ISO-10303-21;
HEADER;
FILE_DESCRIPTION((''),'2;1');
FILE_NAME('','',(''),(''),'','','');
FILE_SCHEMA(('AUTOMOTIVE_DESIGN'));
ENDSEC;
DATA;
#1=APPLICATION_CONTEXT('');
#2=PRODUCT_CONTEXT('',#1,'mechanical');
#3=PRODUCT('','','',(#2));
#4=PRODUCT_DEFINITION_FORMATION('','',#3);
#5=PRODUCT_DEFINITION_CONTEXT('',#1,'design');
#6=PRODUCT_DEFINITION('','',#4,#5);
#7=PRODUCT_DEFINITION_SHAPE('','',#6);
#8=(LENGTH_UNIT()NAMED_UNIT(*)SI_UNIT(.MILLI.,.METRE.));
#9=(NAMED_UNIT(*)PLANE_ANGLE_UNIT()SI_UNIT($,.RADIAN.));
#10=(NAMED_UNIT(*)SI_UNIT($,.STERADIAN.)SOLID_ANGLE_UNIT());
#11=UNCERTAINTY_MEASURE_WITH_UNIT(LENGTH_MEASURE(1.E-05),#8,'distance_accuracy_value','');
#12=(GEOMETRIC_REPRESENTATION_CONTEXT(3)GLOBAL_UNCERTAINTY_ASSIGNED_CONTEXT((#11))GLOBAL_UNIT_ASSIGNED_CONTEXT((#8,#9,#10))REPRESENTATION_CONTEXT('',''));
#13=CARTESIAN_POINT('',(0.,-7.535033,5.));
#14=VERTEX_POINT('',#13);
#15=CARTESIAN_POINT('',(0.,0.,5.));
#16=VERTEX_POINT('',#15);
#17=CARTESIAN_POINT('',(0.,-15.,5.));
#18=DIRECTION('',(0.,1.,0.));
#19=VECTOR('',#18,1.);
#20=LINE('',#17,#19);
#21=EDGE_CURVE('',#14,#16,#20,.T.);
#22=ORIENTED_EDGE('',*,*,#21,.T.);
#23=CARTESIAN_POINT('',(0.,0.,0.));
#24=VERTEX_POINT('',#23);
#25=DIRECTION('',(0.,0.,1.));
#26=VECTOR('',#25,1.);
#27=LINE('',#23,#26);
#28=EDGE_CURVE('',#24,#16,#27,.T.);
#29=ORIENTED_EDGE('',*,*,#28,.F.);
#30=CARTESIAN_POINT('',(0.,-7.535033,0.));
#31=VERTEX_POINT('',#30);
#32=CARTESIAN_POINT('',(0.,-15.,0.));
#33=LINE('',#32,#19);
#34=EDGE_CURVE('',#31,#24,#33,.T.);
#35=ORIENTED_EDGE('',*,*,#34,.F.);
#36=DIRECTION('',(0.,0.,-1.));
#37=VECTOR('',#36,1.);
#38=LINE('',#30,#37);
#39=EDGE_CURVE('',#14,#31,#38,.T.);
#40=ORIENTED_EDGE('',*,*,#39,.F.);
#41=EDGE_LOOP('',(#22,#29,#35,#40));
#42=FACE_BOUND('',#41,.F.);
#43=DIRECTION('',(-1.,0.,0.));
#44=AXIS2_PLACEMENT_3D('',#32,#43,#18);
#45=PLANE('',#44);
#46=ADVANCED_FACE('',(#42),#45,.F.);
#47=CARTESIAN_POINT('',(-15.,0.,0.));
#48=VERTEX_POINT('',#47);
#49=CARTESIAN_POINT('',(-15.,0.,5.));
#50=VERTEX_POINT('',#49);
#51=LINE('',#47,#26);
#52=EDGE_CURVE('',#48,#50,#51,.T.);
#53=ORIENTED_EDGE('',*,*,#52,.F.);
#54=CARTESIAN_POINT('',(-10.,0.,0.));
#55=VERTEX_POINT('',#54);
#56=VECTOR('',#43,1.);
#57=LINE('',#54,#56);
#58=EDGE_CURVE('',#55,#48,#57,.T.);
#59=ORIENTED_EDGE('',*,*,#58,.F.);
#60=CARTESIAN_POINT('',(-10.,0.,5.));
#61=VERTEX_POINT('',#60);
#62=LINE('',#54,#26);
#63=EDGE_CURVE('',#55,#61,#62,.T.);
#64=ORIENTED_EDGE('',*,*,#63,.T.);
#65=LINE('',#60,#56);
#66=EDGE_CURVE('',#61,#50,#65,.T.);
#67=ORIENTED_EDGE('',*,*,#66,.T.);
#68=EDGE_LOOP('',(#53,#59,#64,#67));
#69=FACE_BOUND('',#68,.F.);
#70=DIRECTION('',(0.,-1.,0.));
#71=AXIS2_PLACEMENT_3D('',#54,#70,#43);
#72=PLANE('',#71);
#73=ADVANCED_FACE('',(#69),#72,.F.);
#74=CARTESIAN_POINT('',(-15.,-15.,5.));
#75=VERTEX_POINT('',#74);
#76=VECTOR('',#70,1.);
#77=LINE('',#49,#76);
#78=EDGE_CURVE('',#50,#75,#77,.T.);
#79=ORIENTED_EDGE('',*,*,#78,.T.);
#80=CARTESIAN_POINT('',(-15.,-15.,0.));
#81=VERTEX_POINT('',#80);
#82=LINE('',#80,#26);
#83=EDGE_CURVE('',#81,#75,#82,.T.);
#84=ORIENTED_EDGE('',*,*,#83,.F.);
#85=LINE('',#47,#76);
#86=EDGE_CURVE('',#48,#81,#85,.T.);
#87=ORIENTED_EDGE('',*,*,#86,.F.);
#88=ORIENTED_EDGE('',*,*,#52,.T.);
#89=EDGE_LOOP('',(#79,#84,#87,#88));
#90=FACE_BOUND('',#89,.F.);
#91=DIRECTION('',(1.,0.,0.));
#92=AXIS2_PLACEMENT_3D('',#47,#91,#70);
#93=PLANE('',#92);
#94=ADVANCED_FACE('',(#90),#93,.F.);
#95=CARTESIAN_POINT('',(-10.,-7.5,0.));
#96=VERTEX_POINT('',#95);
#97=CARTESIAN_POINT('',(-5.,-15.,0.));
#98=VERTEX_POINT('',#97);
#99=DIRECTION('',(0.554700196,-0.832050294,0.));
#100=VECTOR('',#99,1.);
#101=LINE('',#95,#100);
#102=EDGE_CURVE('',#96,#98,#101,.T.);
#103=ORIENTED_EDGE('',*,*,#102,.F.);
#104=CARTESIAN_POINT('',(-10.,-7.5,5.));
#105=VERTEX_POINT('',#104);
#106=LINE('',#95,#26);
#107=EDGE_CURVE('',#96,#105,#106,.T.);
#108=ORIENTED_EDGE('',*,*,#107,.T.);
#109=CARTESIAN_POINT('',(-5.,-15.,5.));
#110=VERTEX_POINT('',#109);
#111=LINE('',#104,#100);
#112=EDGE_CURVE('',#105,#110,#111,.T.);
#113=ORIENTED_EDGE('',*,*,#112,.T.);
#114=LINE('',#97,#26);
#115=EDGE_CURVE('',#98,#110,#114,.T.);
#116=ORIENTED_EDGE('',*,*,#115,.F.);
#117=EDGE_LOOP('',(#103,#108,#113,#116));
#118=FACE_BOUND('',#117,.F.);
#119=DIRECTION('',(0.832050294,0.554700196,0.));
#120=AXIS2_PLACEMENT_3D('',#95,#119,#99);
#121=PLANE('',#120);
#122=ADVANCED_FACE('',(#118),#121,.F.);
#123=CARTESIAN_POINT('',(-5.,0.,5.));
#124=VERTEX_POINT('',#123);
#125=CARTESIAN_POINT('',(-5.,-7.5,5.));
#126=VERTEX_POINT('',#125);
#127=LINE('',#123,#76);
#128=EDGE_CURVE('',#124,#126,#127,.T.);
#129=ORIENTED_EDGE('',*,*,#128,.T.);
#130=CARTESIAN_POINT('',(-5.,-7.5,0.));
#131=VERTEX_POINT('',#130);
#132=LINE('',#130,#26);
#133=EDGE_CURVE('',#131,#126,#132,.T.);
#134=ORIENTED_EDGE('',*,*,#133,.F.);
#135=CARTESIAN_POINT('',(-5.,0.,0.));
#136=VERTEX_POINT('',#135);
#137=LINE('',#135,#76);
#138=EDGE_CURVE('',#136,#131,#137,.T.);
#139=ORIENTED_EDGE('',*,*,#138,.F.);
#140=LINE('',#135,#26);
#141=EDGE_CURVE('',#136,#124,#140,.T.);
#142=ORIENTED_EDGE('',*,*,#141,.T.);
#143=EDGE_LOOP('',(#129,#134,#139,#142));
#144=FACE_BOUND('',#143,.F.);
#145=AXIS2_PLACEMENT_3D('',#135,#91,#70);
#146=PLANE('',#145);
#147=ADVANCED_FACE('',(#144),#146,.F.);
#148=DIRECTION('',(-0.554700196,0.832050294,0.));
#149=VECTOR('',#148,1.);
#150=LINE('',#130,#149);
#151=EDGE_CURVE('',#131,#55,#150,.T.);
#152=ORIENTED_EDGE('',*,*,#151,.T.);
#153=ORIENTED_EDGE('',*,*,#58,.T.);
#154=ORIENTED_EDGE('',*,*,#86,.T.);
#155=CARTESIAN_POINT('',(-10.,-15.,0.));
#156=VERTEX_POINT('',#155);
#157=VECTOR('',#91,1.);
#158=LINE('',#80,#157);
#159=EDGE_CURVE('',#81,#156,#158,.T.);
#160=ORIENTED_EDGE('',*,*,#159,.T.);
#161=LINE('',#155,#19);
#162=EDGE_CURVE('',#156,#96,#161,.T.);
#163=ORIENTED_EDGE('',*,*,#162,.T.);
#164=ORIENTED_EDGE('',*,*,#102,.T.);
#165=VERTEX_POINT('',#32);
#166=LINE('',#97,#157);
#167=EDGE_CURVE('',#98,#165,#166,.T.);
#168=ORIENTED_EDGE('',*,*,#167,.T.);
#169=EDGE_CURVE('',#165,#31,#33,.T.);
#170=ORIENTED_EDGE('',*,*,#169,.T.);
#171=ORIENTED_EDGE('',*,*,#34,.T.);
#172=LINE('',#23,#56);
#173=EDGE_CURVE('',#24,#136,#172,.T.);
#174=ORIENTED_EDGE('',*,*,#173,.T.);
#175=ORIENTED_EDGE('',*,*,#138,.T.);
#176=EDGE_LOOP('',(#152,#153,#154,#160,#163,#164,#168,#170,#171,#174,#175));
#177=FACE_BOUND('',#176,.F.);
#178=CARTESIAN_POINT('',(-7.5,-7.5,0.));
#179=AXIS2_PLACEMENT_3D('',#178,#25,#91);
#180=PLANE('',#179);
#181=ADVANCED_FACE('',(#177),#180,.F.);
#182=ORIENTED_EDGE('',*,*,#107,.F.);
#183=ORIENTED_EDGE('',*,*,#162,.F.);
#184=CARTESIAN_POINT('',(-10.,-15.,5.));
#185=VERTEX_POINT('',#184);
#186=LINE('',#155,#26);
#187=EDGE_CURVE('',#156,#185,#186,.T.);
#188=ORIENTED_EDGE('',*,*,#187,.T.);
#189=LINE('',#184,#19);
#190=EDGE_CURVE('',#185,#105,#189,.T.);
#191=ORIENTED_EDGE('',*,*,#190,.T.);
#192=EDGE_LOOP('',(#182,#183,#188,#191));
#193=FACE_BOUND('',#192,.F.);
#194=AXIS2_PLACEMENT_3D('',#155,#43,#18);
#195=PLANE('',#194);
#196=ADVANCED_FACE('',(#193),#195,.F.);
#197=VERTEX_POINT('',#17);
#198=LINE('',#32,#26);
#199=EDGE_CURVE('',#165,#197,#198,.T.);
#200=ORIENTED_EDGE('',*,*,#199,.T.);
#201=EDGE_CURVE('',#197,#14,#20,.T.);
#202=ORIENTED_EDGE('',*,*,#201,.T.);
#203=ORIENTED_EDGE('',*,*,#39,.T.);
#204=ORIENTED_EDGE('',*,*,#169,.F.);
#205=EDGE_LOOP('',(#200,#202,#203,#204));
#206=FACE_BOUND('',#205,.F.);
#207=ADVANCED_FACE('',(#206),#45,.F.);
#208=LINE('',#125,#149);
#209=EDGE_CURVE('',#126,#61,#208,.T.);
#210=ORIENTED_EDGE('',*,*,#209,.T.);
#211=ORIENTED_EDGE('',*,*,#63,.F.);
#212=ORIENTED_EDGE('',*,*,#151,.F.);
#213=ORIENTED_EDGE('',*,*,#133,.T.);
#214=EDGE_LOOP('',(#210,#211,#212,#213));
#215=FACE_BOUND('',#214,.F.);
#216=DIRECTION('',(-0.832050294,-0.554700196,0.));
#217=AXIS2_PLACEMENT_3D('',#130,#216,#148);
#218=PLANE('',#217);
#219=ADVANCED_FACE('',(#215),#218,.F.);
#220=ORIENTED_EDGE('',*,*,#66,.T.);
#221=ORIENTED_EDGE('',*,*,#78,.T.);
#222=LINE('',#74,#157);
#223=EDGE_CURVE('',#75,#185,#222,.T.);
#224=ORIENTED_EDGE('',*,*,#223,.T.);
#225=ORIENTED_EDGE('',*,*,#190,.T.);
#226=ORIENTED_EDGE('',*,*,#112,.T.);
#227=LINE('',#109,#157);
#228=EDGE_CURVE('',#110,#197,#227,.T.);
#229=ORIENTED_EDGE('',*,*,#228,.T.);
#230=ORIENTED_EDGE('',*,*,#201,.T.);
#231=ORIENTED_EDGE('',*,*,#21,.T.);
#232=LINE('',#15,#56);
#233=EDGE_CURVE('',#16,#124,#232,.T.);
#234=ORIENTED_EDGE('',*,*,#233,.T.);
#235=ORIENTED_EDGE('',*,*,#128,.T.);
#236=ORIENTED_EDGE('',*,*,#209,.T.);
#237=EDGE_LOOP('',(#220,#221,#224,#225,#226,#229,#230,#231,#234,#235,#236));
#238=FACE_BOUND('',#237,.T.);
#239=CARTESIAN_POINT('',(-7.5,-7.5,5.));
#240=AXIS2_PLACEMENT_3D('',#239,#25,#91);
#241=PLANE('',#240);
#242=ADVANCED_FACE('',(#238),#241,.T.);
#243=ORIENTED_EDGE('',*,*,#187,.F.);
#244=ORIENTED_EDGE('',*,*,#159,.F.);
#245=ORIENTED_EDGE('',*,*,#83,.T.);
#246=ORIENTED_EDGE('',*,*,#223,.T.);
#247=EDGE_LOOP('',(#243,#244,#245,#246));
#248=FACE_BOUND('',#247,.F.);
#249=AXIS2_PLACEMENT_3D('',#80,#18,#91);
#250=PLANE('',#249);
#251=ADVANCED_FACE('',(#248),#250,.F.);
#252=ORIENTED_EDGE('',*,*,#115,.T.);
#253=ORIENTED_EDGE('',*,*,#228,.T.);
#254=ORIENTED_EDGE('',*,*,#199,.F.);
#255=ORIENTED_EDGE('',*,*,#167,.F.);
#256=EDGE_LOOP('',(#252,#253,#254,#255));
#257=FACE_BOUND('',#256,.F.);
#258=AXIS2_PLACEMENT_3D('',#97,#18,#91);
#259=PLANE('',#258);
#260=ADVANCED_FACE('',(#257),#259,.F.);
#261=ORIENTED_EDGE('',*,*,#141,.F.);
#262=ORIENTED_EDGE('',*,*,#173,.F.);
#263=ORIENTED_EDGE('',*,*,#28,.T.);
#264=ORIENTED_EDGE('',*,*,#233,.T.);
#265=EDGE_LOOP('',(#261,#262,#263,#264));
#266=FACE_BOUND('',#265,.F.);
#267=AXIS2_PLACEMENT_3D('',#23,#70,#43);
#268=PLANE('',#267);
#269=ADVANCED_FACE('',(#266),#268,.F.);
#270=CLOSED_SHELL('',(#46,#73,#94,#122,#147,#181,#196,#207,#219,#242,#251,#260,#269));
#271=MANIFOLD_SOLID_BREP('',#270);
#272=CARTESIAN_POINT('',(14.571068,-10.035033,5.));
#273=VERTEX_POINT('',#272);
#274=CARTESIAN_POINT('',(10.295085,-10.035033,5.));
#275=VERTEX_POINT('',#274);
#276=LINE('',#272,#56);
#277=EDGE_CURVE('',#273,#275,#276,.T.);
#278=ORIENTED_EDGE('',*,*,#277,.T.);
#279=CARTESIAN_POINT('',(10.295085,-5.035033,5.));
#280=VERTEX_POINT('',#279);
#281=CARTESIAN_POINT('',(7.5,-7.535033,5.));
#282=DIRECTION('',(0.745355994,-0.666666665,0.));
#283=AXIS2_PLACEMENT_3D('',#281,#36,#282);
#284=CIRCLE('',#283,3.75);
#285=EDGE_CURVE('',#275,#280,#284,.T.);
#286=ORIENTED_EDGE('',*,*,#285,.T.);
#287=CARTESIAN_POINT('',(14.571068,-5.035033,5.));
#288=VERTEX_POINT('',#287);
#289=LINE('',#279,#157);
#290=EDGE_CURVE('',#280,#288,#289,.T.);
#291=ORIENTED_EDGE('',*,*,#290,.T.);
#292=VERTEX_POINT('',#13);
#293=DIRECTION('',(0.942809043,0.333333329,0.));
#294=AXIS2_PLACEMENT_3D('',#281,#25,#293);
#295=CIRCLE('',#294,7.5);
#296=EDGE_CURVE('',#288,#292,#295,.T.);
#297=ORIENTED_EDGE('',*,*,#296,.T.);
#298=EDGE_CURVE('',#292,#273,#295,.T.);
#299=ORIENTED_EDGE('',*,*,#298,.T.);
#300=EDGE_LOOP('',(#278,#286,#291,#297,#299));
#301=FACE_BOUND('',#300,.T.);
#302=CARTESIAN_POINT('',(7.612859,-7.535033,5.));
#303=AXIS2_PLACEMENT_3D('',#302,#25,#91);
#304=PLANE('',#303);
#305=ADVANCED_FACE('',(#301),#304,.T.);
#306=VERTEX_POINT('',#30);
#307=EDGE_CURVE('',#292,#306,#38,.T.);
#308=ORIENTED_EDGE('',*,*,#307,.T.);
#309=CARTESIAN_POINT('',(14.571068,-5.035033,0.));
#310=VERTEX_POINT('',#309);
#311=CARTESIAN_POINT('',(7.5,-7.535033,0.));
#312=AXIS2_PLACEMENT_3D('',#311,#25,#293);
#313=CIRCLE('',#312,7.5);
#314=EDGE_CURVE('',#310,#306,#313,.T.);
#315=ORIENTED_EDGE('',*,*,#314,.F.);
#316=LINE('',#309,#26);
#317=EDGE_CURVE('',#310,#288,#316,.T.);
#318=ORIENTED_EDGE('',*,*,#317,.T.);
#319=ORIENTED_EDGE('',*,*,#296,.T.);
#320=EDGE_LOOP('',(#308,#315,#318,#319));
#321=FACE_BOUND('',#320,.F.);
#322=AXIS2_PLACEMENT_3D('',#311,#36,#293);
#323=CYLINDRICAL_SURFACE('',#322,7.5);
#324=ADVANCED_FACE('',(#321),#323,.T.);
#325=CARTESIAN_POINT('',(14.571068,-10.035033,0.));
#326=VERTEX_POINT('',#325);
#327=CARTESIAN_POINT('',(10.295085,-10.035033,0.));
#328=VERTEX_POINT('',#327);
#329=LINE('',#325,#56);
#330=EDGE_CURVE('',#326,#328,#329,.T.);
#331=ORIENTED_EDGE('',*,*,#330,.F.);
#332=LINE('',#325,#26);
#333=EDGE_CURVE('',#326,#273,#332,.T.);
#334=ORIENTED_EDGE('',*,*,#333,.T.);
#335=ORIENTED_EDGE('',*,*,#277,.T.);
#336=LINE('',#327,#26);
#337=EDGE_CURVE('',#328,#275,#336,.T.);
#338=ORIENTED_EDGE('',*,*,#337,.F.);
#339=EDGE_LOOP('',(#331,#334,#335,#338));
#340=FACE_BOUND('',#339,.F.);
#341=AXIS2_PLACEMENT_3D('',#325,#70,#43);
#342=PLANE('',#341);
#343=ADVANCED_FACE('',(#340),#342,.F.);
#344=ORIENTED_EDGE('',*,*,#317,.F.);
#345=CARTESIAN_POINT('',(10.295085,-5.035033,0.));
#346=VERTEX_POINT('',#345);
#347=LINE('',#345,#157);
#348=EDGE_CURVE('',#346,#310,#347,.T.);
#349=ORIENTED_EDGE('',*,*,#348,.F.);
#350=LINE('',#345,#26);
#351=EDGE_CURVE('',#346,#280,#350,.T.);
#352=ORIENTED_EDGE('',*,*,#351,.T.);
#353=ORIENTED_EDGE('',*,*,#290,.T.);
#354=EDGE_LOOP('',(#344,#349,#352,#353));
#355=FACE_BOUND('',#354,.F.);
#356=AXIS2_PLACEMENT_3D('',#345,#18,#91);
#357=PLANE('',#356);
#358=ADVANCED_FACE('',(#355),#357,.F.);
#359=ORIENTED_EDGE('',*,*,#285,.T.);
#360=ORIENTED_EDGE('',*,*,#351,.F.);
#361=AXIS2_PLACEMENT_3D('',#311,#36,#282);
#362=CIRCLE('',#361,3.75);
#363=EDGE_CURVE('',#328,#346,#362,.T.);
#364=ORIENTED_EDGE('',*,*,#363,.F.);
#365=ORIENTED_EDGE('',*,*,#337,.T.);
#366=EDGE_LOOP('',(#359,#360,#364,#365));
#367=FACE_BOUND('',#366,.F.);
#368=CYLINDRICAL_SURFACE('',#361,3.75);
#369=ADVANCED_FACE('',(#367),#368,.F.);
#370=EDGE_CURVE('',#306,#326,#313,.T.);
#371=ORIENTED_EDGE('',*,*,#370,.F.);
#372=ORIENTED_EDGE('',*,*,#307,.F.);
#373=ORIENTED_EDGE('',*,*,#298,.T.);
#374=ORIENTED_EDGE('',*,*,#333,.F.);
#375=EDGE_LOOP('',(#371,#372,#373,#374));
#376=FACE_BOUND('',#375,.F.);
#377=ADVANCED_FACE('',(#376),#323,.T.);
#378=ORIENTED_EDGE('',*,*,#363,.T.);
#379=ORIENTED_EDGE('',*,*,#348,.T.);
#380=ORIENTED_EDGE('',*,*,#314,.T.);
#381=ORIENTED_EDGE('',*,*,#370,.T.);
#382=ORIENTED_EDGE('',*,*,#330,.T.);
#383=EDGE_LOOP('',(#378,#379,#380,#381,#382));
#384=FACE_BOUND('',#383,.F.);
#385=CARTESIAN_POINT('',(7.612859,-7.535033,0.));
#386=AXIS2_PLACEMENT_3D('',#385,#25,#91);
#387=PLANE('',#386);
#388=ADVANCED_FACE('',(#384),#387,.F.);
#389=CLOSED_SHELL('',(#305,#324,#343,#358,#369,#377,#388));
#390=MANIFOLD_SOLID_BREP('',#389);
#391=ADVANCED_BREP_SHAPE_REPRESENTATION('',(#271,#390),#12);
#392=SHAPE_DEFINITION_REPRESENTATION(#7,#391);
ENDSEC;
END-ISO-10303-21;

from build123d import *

# Parameters (mm, degrees)
F1_DEPTH = 5
F3_DEPTH = 5


with BuildPart() as f1:
    # F0 (on Top) → F1 (new body)
    with BuildSketch(Plane.XY):
        Polygon((-15, 0), (-15, -15), (-10, -15), (-10, -7.5), (-5, -15), (0, -15), (0, 0), (-5, 0), (-5, -7.5), (-10, 0), align=None)
    extrude(amount=F1_DEPTH)

    # F2 (on Top) → F3 (join)
    with BuildSketch(Plane.XY):
        with BuildLine():
            Line((10.295085, -5.035033), (14.571068, -5.035033))
            ThreePointArc((14.571068, -5.035033), (0, -7.535033), (14.571068, -10.035033))
            Line((14.571068, -10.035033), (10.295085, -10.035033))
            ThreePointArc((10.295085, -10.035033), (3.75, -7.535033), (10.295085, -5.035033))
        make_face()
    extrude(amount=F3_DEPTH)


solid = f1.part
